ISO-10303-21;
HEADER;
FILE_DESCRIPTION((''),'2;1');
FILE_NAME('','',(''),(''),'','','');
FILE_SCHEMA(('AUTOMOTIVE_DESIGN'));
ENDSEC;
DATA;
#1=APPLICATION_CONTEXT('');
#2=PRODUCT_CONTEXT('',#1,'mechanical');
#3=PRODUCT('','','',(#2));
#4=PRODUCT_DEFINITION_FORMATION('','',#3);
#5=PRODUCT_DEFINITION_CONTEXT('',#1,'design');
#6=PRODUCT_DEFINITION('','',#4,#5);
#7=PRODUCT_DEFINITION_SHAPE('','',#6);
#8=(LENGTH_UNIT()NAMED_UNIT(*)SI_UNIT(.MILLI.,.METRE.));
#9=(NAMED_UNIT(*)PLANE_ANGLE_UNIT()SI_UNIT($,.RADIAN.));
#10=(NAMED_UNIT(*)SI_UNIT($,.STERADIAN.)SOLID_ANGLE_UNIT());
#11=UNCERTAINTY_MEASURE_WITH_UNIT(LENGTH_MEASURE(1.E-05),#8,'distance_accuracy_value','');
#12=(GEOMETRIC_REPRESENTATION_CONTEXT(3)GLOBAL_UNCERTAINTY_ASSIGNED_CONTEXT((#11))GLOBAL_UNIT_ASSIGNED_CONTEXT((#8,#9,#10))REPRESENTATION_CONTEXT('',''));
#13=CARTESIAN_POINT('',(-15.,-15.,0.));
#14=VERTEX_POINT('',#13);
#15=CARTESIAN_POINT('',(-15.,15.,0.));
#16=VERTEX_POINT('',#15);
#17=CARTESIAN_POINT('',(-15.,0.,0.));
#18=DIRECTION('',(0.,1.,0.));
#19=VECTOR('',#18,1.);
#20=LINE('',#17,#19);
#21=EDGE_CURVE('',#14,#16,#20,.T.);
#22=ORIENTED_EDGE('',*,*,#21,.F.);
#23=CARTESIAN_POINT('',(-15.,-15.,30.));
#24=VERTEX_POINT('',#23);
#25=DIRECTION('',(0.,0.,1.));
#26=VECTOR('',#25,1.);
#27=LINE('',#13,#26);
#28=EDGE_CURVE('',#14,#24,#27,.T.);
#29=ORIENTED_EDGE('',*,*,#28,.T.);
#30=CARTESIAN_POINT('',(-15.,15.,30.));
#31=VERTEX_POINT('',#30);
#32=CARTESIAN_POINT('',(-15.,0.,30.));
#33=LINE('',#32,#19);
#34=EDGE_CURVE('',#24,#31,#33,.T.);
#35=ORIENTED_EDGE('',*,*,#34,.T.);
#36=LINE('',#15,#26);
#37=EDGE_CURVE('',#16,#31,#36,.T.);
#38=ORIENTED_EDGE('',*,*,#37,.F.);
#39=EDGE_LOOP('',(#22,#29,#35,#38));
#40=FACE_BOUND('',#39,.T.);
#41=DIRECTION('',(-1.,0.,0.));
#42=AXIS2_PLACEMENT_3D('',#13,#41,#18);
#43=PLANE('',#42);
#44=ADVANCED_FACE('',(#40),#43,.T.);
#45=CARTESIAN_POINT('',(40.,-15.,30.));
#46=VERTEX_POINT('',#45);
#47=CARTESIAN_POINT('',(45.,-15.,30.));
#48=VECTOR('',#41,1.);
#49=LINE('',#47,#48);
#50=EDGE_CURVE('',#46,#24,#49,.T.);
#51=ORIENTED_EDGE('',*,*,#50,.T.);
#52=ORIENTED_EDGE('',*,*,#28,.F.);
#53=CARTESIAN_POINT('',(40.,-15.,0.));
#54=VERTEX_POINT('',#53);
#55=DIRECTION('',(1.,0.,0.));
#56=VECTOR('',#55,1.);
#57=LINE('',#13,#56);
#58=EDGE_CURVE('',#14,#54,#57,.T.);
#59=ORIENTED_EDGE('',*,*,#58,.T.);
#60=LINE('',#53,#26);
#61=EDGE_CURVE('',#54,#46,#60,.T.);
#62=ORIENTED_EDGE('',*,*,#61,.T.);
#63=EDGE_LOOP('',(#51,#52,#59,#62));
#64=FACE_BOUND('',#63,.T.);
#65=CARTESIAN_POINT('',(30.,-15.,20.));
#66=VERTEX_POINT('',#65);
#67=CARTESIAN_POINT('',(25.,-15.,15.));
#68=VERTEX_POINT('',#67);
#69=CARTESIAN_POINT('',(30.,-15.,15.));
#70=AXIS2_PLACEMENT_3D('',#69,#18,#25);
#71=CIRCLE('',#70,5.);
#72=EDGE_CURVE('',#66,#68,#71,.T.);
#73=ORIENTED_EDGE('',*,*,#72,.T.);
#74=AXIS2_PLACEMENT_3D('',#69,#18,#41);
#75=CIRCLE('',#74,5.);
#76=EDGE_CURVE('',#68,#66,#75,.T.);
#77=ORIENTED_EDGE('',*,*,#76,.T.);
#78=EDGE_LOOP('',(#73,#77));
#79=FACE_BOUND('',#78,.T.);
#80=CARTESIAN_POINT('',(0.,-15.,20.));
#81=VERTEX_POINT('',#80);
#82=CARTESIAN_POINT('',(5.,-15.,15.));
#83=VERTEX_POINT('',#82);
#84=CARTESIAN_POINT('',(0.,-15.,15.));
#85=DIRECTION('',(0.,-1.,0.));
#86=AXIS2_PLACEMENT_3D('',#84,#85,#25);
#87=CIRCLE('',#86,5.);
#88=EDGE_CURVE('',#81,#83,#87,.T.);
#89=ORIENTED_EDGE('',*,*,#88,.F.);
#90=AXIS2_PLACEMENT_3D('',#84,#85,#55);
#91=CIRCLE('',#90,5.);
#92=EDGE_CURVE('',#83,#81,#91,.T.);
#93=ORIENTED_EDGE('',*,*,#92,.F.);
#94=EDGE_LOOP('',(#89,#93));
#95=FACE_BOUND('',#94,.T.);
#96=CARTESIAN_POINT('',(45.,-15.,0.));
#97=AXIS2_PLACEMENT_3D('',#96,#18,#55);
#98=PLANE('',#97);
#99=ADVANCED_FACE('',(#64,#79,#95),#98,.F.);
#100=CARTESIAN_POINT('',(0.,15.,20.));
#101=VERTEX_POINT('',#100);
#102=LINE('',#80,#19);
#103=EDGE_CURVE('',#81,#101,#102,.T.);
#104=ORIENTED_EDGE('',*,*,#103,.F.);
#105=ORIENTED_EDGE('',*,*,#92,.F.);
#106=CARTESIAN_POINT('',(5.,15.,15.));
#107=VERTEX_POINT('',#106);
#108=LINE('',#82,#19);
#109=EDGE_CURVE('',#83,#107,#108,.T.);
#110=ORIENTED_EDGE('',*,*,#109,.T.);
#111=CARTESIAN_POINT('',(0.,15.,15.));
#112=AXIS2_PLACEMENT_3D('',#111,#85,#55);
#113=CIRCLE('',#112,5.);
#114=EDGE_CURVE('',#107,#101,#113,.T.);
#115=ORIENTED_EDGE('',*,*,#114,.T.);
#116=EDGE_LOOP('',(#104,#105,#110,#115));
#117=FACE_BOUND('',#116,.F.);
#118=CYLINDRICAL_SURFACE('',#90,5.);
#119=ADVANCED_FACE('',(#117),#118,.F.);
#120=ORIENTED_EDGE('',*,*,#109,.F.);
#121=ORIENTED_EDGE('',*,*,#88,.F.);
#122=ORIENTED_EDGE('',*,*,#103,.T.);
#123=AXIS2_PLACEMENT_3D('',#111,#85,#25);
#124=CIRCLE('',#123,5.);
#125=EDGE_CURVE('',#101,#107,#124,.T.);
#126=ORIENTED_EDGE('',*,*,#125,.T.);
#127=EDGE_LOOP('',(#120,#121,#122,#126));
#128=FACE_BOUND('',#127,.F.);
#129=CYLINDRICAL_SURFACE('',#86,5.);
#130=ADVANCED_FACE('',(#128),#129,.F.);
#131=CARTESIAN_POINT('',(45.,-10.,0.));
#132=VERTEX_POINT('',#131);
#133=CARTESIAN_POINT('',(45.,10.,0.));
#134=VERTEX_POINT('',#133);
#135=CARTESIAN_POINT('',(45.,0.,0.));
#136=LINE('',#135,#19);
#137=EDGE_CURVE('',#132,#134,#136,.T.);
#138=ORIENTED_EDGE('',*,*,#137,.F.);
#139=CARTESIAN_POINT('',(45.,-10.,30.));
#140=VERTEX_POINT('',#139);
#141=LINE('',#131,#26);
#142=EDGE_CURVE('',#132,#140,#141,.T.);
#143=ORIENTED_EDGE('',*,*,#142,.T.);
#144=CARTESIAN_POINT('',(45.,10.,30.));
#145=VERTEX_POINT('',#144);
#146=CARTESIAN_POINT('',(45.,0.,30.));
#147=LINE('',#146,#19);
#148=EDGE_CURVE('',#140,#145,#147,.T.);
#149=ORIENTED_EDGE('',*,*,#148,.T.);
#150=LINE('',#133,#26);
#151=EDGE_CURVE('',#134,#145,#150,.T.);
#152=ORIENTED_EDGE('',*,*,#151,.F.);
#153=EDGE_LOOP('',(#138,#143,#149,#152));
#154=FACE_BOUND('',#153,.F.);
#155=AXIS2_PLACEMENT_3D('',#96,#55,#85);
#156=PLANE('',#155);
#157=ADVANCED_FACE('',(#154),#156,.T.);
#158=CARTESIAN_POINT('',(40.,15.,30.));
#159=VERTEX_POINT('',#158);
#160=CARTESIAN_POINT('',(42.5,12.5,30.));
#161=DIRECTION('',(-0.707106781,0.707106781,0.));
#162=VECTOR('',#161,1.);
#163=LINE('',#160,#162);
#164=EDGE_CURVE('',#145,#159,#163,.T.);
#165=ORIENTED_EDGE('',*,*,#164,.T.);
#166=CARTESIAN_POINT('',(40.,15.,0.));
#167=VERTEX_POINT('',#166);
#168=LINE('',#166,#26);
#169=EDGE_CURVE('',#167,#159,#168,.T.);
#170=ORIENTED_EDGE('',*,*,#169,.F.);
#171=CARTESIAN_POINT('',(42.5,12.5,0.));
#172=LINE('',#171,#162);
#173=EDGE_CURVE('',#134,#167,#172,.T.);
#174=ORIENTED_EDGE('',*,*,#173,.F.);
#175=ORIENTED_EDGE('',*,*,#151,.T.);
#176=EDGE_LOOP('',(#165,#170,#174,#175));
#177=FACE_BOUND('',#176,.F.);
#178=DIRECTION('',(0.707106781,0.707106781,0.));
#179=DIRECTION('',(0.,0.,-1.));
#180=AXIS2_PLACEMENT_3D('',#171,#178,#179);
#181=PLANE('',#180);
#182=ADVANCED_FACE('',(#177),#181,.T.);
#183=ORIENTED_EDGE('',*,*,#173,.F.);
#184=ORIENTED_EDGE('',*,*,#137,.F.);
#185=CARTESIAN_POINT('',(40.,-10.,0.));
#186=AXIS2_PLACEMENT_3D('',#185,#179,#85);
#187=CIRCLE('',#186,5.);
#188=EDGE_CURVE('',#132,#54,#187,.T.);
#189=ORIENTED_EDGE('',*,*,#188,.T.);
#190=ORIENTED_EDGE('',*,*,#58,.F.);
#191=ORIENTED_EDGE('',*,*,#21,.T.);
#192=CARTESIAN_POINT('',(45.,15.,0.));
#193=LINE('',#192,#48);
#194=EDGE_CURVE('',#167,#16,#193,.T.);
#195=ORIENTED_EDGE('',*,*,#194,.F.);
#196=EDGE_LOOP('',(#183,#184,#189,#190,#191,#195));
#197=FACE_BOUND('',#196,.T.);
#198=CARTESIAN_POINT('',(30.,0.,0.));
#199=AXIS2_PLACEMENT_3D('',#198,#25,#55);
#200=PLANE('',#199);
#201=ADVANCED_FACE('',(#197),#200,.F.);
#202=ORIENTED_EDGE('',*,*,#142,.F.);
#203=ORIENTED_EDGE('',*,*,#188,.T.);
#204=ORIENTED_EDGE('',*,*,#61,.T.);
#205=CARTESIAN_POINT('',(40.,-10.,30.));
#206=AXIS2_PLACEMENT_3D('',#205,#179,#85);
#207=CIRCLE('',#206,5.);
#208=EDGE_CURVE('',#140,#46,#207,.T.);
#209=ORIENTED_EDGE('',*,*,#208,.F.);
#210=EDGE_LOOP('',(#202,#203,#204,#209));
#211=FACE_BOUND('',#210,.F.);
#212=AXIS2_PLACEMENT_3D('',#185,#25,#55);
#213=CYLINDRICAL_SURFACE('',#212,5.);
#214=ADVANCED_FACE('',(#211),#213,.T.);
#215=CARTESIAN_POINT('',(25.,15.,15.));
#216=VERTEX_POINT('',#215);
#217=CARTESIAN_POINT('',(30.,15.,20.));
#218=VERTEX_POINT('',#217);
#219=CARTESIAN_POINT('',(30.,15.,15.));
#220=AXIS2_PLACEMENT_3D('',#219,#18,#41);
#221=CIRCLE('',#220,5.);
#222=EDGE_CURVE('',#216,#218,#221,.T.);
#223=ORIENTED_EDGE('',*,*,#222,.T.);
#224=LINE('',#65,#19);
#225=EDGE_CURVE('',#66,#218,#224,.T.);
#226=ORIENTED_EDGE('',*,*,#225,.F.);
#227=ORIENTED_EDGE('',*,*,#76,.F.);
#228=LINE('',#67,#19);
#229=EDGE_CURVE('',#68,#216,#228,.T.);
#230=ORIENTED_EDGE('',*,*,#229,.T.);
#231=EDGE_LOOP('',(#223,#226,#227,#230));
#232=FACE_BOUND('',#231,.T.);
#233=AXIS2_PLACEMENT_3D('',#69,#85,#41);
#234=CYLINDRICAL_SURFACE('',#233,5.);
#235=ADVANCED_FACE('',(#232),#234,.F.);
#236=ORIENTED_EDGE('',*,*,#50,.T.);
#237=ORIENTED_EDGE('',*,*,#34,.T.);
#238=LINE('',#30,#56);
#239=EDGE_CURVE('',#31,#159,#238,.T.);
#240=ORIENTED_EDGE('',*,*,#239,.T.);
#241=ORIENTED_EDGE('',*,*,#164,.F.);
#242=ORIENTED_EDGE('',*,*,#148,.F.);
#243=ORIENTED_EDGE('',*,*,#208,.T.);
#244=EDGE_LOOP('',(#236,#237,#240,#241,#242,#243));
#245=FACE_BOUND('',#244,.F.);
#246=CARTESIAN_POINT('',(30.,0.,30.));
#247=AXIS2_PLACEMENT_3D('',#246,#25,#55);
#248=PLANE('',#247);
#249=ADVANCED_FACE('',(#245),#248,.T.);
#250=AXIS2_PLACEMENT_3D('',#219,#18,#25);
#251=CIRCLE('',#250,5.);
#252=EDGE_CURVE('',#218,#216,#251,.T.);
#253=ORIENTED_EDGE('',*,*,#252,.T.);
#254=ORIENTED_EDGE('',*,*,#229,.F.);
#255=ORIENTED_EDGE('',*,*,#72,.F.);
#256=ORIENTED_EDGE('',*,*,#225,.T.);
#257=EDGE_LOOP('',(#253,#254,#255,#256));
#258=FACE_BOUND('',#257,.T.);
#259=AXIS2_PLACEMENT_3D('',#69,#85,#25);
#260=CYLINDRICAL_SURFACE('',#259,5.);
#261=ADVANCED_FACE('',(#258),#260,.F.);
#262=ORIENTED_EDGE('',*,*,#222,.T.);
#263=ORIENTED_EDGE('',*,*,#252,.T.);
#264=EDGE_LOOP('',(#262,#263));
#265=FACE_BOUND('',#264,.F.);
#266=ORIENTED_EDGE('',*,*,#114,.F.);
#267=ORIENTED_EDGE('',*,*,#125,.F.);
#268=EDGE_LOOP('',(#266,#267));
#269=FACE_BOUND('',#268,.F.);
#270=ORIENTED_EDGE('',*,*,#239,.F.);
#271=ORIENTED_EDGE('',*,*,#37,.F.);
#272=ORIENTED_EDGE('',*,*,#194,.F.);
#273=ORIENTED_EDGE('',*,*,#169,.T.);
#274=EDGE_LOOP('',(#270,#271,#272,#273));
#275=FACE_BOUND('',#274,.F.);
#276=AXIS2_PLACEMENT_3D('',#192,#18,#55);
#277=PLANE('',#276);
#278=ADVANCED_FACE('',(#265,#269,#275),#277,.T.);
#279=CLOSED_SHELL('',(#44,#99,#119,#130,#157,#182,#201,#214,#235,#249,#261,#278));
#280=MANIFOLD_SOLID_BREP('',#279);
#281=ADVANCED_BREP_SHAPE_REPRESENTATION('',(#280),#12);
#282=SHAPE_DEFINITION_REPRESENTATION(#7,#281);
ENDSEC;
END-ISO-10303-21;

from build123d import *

# Parameters (mm, degrees)
F0_W     = 30
F0_H     = 30
F1_DEPTH = 30
F3_DEPTH = 30.001
F5_R     = 5
F6_SIZE  = 5


with BuildPart() as f1:
    # F0 (on Top) → F1 (new body)
    with BuildSketch(Plane.XY):
        Rectangle(F0_W, F0_H)
    extrude(amount=F1_DEPTH)

    # F2 (on face) → F3 (cut, through all)
    with BuildSketch(Plane.XZ.offset(15)):
        with BuildLine():
            ThreePointArc((0, 20), (-3.5355339059, 11.4644660941), (5, 15))
            ThreePointArc((5, 15), (3.5355339059, 18.5355339059), (0, 20))
        make_face()
    extrude(amount=-F3_DEPTH, mode=Mode.SUBTRACT)

    # F4: F1 across face


with BuildPart() as f1_1:
    add(f1.part)
    add(f1.part.mirror(Plane(origin=(15, 0, 15), x_dir=(0, 1, 0), z_dir=(1, 0, 0))))

    # F5
    f5_edges = [f1_1.edges().sort_by_distance(p)[0] for p in [
        (45, -15, 15),
    ]]
    fillet(f5_edges, radius=F5_R)

    # F6
    f6_edges = [f1_1.edges().sort_by_distance(p)[0] for p in [
        (45, 15, 15),
    ]]
    chamfer(f6_edges, length=F6_SIZE)


solid = f1_1.part
